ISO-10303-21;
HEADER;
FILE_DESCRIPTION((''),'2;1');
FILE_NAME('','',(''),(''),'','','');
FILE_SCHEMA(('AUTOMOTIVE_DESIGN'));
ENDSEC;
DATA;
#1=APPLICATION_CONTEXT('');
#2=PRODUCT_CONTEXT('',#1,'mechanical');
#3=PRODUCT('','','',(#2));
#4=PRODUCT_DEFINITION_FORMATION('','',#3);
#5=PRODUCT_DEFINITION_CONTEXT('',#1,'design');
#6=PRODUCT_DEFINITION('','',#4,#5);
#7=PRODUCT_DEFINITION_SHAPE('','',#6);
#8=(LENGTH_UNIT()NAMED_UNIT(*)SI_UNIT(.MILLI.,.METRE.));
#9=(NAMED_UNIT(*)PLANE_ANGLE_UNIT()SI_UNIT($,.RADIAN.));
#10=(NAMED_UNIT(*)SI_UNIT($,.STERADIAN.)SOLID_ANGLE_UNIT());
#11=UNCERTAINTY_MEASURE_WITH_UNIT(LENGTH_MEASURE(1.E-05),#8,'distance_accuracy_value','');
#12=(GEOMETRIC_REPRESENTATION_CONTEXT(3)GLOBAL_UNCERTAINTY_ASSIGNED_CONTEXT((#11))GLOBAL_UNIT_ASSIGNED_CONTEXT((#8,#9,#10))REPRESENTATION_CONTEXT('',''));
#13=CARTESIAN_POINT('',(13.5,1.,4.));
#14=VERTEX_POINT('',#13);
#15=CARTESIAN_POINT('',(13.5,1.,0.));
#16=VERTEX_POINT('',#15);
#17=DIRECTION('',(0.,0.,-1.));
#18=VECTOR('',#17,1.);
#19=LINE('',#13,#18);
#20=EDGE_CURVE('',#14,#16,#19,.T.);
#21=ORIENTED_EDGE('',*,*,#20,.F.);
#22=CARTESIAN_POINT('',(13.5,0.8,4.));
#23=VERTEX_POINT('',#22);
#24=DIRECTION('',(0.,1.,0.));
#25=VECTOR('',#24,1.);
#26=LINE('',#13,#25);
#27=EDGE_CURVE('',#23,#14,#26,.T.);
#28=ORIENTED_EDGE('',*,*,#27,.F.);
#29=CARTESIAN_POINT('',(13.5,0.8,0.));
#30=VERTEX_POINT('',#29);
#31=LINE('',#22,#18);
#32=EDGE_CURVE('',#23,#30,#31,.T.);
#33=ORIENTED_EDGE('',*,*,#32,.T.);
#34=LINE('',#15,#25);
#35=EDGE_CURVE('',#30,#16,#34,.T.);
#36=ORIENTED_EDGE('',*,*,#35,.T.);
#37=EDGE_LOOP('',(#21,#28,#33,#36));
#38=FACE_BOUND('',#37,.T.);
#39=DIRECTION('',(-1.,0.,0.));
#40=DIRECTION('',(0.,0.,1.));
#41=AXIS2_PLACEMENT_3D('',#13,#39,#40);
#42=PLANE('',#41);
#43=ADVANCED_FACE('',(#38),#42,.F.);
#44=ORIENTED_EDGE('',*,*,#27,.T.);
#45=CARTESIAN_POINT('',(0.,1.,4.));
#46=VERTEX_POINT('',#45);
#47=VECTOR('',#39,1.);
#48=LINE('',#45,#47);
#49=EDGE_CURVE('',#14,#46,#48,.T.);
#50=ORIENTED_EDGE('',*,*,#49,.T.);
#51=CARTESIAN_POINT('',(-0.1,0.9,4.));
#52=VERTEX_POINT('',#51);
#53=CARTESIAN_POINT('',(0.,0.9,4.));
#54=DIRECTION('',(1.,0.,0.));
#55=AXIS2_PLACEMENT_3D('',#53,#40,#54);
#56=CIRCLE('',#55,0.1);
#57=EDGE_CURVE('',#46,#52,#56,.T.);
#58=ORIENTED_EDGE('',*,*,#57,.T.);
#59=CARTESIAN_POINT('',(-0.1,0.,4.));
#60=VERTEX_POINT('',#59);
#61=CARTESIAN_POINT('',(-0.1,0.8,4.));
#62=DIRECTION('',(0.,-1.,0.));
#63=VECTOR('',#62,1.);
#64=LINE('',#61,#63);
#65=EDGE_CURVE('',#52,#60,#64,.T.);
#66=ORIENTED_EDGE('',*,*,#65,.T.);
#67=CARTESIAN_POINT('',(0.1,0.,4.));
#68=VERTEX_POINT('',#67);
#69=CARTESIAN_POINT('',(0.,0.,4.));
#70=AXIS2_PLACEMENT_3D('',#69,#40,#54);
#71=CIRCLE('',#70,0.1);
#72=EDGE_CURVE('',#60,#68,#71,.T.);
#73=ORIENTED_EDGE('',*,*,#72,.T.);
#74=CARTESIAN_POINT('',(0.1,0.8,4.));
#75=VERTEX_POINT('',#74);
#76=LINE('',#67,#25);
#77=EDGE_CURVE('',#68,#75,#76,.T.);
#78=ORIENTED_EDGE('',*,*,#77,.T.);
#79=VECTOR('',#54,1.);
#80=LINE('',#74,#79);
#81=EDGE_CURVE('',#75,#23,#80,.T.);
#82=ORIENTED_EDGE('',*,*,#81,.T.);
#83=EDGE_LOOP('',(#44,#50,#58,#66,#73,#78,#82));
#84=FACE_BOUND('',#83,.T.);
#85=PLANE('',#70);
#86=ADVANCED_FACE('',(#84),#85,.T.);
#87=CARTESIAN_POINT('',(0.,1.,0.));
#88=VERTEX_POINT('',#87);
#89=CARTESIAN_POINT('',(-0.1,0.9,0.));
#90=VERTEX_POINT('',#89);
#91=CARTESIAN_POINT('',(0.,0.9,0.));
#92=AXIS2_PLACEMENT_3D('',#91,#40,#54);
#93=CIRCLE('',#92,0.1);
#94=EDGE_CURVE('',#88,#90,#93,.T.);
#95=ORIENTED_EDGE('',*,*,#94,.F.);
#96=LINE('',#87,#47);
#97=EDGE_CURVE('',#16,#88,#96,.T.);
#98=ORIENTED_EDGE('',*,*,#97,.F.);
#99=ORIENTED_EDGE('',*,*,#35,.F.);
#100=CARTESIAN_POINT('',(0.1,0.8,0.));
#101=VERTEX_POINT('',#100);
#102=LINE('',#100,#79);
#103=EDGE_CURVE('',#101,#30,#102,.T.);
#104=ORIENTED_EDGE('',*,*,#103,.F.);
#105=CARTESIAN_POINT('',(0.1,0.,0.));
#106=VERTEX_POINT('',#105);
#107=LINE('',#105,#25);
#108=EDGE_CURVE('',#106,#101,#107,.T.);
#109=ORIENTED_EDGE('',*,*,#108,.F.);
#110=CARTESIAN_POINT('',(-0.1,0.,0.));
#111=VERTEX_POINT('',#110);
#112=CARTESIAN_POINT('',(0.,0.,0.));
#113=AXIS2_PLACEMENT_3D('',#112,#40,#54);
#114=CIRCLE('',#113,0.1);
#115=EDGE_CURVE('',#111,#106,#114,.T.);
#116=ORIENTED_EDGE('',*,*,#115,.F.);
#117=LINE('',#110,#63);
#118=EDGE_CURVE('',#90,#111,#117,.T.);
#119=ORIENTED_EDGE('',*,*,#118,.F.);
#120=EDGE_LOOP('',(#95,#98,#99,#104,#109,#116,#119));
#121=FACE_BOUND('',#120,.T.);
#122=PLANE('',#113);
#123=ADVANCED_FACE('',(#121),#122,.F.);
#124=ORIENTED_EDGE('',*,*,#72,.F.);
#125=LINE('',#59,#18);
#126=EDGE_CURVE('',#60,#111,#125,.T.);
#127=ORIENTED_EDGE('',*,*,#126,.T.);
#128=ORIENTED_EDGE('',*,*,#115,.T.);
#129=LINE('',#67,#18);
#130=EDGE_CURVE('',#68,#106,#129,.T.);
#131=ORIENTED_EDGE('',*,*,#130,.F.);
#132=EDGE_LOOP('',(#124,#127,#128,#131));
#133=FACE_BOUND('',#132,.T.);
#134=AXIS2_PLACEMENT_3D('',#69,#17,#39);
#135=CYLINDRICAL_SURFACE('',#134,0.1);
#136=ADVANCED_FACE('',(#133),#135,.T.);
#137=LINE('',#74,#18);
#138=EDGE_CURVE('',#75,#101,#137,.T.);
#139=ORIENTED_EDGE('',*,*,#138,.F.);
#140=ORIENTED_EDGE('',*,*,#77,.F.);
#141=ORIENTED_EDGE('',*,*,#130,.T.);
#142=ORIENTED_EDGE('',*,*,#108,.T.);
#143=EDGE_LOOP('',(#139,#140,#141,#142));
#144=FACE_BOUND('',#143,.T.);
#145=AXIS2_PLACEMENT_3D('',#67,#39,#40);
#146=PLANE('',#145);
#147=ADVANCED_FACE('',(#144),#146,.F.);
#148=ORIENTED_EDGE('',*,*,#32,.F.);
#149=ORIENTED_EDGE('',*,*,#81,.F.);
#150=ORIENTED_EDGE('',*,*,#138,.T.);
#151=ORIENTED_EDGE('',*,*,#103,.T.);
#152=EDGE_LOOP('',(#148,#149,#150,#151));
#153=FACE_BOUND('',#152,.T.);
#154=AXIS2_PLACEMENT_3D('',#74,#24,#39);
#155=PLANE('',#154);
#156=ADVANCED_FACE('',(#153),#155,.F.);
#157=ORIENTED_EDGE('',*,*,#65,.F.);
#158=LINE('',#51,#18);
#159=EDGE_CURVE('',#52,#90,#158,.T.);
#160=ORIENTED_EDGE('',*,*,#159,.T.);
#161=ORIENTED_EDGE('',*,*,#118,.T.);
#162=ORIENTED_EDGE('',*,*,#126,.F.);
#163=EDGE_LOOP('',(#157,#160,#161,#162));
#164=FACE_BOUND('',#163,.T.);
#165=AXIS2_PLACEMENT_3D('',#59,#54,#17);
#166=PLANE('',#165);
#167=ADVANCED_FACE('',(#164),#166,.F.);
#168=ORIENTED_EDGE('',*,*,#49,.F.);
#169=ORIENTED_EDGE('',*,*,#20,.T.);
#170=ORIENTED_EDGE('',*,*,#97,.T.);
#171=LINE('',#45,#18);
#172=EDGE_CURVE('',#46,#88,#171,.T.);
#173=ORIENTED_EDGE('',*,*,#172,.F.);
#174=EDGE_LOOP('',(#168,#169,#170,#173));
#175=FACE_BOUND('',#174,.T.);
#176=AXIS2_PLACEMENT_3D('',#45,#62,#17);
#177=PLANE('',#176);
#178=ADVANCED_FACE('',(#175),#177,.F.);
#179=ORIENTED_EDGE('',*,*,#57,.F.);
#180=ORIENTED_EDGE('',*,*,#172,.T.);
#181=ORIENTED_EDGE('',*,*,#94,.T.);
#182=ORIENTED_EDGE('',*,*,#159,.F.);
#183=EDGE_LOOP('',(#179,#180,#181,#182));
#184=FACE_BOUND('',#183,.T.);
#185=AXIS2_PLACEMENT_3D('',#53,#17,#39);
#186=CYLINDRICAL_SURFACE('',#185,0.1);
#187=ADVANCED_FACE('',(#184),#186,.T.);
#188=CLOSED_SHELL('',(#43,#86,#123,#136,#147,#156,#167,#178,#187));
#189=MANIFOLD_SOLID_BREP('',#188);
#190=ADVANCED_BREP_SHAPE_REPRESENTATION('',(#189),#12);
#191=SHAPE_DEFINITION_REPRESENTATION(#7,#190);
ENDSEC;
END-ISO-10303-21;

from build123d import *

# Parameters (mm, degrees)
RESSALTO_EXTRUS_O1_DEPTH = 4


with BuildPart() as part:
    # Esboço1 → Ressalto-extrusão1 (new body)
    with BuildSketch(Plane.XY):
        with BuildLine():
            Line((0.1, 0), (0.1, 0.8))
            Line((0.1, 0.8), (13.5, 0.8))
            Line((13.5, 0.8), (13.5, 1))
            Line((13.5, 1), (0, 1))
            ThreePointArc((0, 1), (-0.070710678, 0.970710678), (-0.1, 0.9))
            Line((-0.1, 0.9), (-0.1, 0.8))
            Line((-0.1, 0.8), (-0.1, 0))
            ThreePointArc((-0.1, 0), (0, -0.1), (0.1, 0))
        make_face()
    extrude(amount=RESSALTO_EXTRUS_O1_DEPTH)


solid = part.part
